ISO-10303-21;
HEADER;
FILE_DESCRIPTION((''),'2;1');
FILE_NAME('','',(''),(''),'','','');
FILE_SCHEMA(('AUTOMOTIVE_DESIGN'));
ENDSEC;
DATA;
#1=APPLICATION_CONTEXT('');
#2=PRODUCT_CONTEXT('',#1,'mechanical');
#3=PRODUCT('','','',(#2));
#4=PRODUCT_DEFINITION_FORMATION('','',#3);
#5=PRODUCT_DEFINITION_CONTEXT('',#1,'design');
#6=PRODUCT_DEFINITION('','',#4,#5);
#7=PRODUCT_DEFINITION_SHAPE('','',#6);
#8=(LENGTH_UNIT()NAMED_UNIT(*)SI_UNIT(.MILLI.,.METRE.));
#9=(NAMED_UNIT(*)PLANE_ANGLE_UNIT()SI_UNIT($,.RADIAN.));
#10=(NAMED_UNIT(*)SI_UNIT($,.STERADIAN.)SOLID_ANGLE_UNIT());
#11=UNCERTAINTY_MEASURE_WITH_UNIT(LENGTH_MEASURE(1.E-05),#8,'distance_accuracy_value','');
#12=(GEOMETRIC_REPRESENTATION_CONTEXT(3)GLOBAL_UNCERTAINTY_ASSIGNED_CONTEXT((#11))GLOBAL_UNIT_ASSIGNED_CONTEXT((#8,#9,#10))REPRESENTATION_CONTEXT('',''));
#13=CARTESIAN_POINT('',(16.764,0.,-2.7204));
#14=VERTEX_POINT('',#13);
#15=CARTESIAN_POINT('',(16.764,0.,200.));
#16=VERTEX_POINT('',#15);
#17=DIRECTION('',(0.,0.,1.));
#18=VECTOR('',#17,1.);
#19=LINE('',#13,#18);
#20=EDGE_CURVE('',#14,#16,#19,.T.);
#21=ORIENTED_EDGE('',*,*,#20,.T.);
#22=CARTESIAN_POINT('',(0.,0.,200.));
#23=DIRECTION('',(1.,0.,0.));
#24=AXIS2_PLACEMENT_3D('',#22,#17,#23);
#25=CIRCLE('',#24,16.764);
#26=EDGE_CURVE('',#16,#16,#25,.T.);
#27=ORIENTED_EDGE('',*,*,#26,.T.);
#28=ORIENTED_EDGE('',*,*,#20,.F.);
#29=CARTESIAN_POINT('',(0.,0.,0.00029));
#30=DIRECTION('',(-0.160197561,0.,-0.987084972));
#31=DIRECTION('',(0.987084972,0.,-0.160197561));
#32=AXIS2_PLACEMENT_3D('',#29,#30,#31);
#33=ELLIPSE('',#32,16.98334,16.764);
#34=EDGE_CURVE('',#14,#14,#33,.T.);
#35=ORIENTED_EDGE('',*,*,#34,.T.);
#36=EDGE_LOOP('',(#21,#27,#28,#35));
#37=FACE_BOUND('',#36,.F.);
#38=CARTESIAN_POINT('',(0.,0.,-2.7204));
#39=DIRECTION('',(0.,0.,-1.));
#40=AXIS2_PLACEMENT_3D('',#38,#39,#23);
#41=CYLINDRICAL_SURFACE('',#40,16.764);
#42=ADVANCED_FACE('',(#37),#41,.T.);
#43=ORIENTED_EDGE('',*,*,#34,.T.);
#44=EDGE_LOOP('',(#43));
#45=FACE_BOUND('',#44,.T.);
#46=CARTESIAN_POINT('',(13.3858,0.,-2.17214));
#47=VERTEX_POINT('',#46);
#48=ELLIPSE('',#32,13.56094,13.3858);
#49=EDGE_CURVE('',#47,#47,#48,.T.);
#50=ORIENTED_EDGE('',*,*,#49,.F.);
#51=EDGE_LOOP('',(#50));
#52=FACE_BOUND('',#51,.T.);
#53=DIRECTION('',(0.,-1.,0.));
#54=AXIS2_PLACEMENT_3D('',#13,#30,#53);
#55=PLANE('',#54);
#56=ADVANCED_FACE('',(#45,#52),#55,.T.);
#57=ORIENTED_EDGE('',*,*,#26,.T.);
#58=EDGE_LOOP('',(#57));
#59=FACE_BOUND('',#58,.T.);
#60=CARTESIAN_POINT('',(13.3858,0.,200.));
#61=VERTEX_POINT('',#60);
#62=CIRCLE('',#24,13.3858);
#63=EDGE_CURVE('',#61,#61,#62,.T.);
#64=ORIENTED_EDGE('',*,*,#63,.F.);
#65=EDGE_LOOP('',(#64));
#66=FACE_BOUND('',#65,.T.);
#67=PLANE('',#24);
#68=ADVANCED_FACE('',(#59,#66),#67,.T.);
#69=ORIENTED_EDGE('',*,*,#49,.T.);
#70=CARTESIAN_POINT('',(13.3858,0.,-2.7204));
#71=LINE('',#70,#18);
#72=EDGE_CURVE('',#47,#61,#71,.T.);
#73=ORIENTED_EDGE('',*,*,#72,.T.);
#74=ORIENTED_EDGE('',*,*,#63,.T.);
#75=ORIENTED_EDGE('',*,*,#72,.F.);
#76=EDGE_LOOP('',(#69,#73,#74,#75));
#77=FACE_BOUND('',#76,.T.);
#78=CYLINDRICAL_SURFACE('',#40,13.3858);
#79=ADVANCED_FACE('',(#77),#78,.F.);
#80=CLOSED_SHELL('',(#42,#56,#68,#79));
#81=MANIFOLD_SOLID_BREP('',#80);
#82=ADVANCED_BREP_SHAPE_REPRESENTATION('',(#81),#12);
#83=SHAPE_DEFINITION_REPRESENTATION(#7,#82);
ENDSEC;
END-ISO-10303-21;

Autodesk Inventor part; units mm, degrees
ref_plane "Start plane" through (0, 0, -2.7204) normal (0, 0, 1) x (1, 0, 0)
ref_plane "End plane" through (0, 0, 200) normal (0, 0, 1) x (1, 0, 0)
sketch "Sketch" plane through (0, 0, 0) normal (0, 0, 1) x (1, 0, 0)
  circle A0 centre (0, 0) radius 13.3858
  circle A1 centre (0, 0) radius 16.764
  dimension "d0" = 33.528
  dimension "d1" = 3.3782
extrude "Body" add sketch "Sketch" along normal up to surface (202.7204 mm away) from surface at -2.7204
sketch "Sketch3" plane through (0, 0, 0) normal (0, 0, 1) x (1, 0, 0)
  line L0 (0, 0) -> (10, 0)
ref_plane "Work Plane3" through (0, 0, 0) normal (0, -1, 0) x (1, 0, 0)
ref_plane "Work Plane4" through (16.764, 0, -2.7204) normal (-0.1602, 0, -0.9871) x (-0.9871, 0, 0.1602)
split "Split1" plane through (16.764, 0, -2.7204) removes the side toward (-0.1602, 0, -0.9871)
sketch "Sketch4" plane through (0, 0, 0) normal (0, -1, 0) x (1, 0, 0)
  line L0 (-2, -2.7204) -> (12, -2.7204) projected
  line L1 (-2, 200) -> (12, 200) projected
  dimension "d7" = 202.7204
equation "\"d0\" = G_H"
equation "\"d1\" = G_T"
equation "\"d2\" = G_L"
equation "\"G_H\" = 33.528"
equation "\"G_T\" = 3.3782"
equation "\"G_L\" = d7"
equation "\"G_OFFSET_START\" = 2.72042"
equation "\"G_OFFSET_END\" = 0"
equation "\"d4\" = -G_OFFSET_START"
equation "\"d5\" = G_OFFSET_END + B_L"
equation "\"B_L\" = 200"
properties part number "ANSI - 1 x 0.133 - 7.981" material "Steel, Mild"
